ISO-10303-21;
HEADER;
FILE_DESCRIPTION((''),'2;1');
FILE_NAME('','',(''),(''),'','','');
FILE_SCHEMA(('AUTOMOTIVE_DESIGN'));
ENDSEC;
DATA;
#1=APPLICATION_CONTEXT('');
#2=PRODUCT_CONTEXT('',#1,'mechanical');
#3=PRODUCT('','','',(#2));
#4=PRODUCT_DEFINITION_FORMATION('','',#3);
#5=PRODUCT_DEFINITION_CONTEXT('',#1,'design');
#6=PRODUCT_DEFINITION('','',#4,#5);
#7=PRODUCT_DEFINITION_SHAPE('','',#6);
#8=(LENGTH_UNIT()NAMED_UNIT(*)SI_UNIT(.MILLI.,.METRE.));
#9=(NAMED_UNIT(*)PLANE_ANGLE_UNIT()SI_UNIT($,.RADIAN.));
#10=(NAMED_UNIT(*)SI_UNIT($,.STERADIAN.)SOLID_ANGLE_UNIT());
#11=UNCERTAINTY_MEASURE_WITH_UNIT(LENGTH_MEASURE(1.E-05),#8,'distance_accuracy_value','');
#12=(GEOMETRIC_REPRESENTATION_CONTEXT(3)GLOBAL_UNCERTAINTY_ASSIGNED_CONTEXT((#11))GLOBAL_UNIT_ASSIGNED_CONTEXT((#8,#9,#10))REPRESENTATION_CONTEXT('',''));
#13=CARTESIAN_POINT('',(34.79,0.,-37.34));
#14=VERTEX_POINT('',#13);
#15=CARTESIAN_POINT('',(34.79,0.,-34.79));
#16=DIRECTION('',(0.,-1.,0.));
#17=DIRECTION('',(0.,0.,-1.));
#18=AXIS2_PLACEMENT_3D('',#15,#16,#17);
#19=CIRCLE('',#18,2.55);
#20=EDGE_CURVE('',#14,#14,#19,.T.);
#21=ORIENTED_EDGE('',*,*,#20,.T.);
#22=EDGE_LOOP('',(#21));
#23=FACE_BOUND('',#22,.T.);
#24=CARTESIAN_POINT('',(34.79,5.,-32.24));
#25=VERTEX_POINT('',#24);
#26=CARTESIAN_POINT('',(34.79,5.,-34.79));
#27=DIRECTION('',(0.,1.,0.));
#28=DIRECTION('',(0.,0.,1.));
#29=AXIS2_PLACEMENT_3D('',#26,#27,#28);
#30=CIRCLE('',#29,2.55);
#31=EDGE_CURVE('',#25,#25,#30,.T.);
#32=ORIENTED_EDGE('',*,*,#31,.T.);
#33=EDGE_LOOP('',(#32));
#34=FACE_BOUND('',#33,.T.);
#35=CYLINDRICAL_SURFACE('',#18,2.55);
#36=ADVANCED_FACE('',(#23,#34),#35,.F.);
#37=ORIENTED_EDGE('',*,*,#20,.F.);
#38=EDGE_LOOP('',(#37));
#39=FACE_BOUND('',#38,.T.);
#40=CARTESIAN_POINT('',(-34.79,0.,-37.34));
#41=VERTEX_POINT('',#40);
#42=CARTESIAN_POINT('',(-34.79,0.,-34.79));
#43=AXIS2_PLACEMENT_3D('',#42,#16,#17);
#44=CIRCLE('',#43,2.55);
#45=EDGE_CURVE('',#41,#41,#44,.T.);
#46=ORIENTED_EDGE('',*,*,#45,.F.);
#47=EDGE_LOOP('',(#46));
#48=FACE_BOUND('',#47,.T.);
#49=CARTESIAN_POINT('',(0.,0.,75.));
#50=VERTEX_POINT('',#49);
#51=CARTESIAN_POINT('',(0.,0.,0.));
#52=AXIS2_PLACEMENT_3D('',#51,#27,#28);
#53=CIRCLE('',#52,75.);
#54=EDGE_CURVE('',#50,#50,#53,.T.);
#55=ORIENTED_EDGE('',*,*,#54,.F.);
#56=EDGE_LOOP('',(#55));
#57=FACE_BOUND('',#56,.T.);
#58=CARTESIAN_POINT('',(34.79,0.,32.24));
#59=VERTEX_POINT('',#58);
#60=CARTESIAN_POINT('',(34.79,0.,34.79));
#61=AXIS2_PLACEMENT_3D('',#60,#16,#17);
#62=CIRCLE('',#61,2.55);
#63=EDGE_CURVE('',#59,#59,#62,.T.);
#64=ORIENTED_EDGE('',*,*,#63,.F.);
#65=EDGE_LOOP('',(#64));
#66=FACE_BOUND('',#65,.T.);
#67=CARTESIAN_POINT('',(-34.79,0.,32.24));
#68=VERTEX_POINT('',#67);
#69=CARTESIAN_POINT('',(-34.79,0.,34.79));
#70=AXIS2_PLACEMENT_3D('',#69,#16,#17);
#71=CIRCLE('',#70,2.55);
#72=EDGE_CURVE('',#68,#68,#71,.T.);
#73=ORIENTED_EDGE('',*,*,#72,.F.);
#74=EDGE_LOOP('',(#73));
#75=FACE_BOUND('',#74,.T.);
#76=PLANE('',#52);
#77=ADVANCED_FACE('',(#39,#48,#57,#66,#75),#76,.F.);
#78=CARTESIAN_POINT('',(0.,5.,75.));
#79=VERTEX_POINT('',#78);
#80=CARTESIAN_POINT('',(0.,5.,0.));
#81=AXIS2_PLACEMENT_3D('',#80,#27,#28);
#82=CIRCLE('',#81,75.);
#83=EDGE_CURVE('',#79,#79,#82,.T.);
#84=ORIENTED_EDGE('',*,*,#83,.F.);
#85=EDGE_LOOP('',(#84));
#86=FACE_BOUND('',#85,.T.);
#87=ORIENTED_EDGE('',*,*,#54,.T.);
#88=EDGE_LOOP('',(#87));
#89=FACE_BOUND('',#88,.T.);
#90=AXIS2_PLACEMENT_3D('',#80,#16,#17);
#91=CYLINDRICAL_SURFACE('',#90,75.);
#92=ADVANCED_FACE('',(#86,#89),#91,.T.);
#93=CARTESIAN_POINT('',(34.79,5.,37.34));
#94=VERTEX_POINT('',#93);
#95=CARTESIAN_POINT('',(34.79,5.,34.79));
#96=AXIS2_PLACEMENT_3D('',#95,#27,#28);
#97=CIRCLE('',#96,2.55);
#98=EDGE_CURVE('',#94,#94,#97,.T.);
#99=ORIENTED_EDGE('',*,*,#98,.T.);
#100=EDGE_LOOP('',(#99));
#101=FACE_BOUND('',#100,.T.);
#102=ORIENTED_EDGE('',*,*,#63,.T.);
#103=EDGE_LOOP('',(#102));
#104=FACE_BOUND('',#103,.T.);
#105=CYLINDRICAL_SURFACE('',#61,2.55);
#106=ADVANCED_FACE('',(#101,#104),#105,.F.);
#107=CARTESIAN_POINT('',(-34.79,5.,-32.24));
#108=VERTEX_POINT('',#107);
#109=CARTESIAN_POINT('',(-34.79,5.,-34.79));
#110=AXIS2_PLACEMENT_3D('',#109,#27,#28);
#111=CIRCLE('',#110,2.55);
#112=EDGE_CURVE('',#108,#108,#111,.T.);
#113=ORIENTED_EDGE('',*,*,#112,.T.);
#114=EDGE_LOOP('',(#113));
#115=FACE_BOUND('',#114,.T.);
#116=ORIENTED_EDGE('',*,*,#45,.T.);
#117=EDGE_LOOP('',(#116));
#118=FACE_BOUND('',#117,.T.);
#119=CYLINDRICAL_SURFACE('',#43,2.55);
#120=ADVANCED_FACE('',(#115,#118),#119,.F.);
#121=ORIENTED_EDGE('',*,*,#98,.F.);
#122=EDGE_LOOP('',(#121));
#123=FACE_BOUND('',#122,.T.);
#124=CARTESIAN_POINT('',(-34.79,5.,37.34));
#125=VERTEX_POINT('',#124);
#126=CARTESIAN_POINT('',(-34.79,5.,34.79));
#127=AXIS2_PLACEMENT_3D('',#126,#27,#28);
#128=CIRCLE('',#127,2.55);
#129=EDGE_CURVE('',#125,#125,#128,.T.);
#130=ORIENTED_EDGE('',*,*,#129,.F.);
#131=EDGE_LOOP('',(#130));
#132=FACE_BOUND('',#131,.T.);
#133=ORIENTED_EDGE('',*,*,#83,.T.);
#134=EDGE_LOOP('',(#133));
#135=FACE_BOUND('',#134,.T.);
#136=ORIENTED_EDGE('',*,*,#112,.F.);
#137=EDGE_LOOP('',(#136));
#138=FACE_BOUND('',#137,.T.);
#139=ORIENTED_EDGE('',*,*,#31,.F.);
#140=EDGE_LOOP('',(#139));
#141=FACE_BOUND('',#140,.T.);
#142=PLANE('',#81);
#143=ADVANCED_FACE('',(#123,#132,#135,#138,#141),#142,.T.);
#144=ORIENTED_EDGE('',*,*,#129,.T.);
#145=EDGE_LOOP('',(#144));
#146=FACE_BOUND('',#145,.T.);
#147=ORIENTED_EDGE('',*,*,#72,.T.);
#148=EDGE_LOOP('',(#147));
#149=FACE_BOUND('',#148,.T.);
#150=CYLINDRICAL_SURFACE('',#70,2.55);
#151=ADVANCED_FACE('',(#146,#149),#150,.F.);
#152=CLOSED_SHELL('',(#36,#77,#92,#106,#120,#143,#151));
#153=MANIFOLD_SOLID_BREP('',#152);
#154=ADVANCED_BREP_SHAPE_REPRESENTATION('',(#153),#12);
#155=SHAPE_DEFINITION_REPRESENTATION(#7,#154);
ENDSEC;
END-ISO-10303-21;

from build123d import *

# Parameters (mm, degrees)
SKETCH_1_R      = 75
EXTRUDE_1_DEPTH = 5
HOLE_WIZARD_2_D = 5.1


with BuildPart() as part:
    # 草图1 → 凸台-拉伸1 (new body)
    with BuildSketch(Plane(origin=(0, 0, 0), x_dir=(1, 0, 0), z_dir=(0, 1, 0))):
        with Locations(Location((0, 0, 0), (0, 0, 270))):
            Circle(SKETCH_1_R)
    extrude(amount=EXTRUDE_1_DEPTH)

    # 孔2 (through all)
    with Locations(Plane.XZ):
        with Locations((34.79, -34.79), (34.79, 34.79), (-34.79, -34.79), (-34.79, 34.79)):
            Hole(HOLE_WIZARD_2_D / 2)


solid = part.part
